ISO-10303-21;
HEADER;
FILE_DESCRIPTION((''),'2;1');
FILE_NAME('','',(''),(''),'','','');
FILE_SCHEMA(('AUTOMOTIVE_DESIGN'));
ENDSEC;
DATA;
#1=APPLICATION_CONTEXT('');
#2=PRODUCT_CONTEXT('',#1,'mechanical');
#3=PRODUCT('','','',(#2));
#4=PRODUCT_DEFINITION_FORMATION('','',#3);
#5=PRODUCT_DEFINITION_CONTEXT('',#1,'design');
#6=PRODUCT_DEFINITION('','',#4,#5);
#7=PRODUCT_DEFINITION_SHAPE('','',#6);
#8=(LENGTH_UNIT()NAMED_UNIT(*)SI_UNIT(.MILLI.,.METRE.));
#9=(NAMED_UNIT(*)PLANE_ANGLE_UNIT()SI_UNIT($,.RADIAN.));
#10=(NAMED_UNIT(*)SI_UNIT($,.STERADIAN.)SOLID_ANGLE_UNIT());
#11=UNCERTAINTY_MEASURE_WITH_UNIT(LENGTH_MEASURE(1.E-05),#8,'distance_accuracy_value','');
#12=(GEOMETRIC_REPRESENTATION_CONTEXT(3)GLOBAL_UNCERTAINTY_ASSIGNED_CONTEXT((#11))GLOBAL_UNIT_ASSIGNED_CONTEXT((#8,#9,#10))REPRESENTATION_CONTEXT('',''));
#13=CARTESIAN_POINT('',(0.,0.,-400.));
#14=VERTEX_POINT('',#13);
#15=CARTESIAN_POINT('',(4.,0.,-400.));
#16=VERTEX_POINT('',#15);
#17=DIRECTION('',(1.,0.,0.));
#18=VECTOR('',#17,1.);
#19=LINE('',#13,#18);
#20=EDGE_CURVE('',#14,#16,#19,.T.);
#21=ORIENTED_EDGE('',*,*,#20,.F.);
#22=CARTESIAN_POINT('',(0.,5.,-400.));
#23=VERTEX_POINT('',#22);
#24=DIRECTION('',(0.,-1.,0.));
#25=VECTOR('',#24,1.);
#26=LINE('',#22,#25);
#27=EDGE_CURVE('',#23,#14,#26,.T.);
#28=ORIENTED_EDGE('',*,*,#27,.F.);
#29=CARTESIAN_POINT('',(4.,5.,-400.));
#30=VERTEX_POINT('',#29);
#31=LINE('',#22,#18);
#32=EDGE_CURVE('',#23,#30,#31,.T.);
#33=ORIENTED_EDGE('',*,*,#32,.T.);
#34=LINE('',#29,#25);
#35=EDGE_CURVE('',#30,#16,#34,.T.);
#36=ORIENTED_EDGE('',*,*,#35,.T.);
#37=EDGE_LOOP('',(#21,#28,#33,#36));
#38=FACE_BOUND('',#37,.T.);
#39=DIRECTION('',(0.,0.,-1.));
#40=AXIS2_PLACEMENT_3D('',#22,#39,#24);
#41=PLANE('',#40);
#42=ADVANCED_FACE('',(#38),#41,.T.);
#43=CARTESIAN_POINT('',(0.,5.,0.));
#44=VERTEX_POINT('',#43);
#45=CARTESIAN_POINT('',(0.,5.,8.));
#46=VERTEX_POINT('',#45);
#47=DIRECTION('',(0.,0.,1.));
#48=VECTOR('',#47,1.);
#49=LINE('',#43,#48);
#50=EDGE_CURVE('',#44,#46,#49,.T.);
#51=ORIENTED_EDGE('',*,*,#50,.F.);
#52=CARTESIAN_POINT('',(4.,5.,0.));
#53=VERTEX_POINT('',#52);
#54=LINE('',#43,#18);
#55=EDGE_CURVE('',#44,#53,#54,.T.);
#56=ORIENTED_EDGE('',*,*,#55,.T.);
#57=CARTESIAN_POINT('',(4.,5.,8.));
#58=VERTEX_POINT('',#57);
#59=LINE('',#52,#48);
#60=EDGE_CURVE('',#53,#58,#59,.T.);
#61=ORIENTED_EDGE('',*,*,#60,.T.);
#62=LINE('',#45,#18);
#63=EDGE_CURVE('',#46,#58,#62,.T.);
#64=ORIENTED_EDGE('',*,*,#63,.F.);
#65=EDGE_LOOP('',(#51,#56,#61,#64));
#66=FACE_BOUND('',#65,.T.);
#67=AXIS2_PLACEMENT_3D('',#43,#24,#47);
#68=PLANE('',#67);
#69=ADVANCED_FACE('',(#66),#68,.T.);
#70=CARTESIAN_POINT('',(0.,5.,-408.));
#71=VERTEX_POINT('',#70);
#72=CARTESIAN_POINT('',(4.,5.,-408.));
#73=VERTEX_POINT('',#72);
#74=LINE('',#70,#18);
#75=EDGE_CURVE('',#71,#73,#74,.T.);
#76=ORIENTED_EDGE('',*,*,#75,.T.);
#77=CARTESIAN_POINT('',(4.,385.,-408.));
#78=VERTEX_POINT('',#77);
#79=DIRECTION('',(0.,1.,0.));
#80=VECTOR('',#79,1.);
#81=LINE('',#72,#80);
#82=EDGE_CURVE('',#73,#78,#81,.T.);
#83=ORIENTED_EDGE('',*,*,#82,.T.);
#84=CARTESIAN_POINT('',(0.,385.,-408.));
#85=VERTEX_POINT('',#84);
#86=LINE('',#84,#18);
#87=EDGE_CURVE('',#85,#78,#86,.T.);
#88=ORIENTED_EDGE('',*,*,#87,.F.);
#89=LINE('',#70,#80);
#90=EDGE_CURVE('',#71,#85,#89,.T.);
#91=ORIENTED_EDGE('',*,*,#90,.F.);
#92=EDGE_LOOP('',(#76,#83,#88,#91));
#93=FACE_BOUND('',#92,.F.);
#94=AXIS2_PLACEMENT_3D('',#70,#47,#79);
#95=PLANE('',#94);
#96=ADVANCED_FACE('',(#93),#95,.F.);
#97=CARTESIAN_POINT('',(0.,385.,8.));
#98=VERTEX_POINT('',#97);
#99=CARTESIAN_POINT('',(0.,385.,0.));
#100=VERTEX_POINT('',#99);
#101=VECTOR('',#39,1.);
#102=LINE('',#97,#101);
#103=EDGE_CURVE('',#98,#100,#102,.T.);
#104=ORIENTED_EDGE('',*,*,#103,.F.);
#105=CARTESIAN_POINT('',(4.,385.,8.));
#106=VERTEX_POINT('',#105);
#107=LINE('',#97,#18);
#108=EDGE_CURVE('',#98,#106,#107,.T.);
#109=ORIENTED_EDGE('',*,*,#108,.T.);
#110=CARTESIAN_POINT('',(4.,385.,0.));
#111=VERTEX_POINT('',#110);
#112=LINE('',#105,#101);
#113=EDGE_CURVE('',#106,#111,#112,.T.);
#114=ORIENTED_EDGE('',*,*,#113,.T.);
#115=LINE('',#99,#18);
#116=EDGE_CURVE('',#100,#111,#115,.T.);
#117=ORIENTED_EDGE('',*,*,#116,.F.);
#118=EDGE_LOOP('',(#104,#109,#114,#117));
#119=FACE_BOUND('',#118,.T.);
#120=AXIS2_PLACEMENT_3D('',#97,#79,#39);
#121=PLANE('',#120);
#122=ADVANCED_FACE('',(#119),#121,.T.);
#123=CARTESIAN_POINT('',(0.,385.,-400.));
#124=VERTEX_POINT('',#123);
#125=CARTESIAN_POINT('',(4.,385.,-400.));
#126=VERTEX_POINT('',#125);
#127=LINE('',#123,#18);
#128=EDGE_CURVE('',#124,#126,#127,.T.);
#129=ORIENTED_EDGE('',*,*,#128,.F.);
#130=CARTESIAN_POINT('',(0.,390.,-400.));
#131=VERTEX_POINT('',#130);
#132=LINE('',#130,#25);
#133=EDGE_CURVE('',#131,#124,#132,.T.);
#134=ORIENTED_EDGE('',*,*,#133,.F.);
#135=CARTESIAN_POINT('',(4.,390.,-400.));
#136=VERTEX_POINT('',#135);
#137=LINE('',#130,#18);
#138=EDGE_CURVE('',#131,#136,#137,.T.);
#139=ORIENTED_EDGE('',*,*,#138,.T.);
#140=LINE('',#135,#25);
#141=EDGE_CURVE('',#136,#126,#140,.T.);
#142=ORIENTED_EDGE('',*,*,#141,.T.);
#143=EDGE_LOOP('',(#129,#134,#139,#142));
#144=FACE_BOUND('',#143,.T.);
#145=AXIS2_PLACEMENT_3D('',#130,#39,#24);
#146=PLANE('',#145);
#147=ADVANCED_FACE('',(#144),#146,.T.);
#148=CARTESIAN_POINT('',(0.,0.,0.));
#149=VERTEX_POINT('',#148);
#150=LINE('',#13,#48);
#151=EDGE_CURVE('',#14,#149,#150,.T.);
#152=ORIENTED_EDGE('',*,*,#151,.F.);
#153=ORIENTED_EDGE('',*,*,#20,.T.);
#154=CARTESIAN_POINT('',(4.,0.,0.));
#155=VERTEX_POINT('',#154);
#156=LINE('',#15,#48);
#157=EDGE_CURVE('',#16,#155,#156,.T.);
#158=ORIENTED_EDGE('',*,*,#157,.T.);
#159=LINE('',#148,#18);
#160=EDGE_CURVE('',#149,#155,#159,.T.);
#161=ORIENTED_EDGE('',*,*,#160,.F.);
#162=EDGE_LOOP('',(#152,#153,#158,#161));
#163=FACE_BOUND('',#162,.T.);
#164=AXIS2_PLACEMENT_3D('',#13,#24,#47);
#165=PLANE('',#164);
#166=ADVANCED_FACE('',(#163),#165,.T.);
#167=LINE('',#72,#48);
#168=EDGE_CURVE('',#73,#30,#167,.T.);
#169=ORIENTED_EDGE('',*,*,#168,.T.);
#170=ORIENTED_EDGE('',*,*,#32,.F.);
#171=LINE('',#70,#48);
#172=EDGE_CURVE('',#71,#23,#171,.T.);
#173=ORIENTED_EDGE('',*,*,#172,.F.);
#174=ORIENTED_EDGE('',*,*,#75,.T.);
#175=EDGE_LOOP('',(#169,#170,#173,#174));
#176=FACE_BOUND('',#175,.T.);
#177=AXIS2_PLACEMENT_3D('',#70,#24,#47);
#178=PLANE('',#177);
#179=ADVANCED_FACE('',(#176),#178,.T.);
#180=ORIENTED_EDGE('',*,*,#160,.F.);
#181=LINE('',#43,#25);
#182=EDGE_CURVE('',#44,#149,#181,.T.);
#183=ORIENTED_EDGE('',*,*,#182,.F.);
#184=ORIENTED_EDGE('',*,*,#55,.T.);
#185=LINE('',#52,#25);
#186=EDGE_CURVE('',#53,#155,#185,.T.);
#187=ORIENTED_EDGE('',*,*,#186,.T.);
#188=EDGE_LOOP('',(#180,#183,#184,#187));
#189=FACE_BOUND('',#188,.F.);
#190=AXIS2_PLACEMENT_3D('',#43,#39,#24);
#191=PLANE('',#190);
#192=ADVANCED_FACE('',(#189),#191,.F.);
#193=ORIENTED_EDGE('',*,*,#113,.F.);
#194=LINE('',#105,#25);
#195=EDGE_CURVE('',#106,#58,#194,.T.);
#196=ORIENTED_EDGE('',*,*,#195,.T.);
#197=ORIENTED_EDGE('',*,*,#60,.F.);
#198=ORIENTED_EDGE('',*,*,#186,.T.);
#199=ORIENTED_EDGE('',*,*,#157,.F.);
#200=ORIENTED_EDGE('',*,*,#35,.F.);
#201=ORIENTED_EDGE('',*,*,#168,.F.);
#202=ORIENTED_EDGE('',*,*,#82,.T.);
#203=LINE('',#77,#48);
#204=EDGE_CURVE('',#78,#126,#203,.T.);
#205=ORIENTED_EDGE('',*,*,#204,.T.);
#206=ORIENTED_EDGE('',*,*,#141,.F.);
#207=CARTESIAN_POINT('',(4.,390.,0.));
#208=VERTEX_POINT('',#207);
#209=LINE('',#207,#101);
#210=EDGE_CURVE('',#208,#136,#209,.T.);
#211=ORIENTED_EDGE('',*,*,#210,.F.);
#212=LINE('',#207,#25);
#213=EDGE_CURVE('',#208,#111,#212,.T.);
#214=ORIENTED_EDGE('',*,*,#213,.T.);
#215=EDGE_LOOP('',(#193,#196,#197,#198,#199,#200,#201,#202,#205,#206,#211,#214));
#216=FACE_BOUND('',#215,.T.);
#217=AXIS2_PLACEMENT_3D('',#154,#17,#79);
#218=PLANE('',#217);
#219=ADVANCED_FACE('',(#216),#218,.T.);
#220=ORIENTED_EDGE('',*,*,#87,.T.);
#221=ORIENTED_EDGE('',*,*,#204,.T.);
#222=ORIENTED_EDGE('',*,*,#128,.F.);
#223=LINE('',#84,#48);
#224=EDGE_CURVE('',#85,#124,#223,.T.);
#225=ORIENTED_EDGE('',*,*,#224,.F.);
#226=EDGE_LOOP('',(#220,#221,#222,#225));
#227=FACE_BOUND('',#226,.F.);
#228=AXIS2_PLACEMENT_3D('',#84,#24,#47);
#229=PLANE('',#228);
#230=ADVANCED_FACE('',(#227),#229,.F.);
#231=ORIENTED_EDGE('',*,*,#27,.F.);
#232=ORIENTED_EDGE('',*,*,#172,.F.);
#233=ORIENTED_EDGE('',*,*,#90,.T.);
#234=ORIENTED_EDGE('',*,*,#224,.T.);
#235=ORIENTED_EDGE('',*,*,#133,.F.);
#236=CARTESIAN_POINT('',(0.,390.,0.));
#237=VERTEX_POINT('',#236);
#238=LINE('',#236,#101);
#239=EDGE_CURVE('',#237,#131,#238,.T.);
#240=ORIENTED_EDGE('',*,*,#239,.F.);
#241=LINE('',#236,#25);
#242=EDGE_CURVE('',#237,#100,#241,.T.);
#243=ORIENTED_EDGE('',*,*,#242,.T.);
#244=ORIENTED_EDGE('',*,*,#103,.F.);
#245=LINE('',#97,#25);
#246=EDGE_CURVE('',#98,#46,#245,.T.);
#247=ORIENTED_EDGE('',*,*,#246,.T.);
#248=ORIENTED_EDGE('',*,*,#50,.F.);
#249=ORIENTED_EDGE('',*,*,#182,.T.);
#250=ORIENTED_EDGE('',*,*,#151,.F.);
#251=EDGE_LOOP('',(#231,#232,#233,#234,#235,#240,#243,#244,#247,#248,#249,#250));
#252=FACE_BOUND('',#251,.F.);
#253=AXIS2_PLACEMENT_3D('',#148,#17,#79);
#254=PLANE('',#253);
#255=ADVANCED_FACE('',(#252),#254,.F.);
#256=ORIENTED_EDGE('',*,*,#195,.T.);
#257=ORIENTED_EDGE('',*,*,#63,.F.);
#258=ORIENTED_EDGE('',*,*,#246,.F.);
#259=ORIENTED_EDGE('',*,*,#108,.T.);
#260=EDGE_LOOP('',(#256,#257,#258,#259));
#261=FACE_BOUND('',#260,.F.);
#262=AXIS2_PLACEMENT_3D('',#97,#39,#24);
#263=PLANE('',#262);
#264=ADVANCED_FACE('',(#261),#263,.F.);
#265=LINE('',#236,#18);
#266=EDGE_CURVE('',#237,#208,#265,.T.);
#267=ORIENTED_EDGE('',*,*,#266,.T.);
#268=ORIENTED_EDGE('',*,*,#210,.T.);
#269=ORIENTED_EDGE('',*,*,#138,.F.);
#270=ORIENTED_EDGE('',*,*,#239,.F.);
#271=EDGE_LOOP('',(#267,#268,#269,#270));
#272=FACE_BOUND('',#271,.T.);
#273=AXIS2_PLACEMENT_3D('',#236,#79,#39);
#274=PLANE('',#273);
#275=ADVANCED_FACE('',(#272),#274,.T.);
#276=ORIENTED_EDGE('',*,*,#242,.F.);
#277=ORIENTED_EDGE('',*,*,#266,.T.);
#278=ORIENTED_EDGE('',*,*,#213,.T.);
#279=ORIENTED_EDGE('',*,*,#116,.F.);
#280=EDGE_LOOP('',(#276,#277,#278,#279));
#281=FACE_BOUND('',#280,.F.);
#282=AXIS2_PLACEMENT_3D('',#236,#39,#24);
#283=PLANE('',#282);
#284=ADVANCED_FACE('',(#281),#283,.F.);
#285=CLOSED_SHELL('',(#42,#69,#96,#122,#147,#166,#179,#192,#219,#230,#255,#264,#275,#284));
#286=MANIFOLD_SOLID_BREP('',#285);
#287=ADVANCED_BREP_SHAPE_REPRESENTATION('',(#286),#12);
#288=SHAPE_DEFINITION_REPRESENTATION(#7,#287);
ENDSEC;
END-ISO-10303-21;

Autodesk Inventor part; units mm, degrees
ref_plane "YZ Plane" through (0, 0, 0) normal (1, 0, 0) x (0, 1, 0)
ref_plane "XZ Plane" through (0, 0, 0) normal (0, 1, 0) x (-1, 0, 0)
ref_plane "XY Plane" through (0, 0, 0) normal (0, 0, 1) x (1, 0, 0)
sketch "Эскиз1" plane through (0, 0, 0) normal (1, 0, 0) x (0, 1, 0)
  line L0 (390, 0) -> (390, -400)
  line L1 (0, -400) -> (0, 0)
  line L2 (385, 8) -> (5, 8)
  line L3 (5, -408) -> (385, -408)
  line L4 (390, 0) -> (385, 0)
  line L5 (385, 8) -> (385, 0)
  line L6 (385, -408) -> (385, -400)
  line L7 (5, -408) -> (5, -400)
  line L8 (5, -400) -> (0, -400)
  line L9 (5, 0) -> (5, 8)
  line L10 (390, -400) -> (385, -400)
  line L11 (5, 0) -> (0, 0)
  dimension "d23" = 400
  dimension "d26" = 400
  dimension "d27" = 380
  dimension "d28" = 380
  dimension "d29" = 390
  dimension "d30" = 8
  dimension "d31" = 8
  dimension "d32" = 8
  dimension "d34" = 5
  dimension "d35" = 5
  dimension "d36" = 5
  dimension "d37" = 5
extrude "Выдавливание1" add sketch "Эскиз1" along normal blind 4
sketch "Эскиз2" plane through (4, 0, 0) normal (1, 0, 0) x (0, 0, -1)
  line L0 (160, 285) -> (240, 285)
  line L1 (240, 285) -> (240, 185)
  line L2 (240, 185) -> (160, 185)
  line L3 (160, 185) -> (160, 285)
  line L4 (117, 227) -> (138, 227)
  line L5 (138, 227) -> (138, 185)
  line L6 (138, 185) -> (117, 185)
  line L7 (117, 185) -> (117, 227)
  line L8 (343, 144) -> (382, 144)
  line L9 (382, 144) -> (382, 70)
  line L10 (382, 70) -> (343, 70)
  line L11 (343, 70) -> (343, 144)
  line L12 (192, 145) -> (282, 145)
  line L13 (282, 145) -> (282, 75)
  line L14 (282, 75) -> (192, 75)
  line L15 (192, 75) -> (192, 145)
  line L16 (277, 267) -> (333, 267)
  line L17 (333, 267) -> (333, 185)
  line L18 (333, 185) -> (277, 185)
  line L19 (277, 185) -> (277, 267)
  line L20 (408, 5) -> (408, 385) projected
  line L21 (0, 0) -> (400, 0) projected
  line L22 (-8, 385) -> (-8, 5) projected
  line L23 (400, 390) -> (0, 390) projected
  dimension "d38" = 42
  dimension "d39" = 21
  dimension "d40" = 74
  dimension "d41" = 39
  dimension "d44" = 90
  dimension "d45" = 70
  dimension "d46" = 80
  dimension "d47" = 100
  dimension "d48" = 82
  dimension "d49" = 56
  dimension "d50" = 65
  dimension "d51" = 70
  dimension "d52" = 200
  dimension "d53" = 75
  dimension "d54" = 168
  dimension "d55" = 105
  dimension "d56" = 185
  dimension "d57" = 125
  dimension "d58" = 185
  dimension "d59" = 75
properties part number "BackMountingWall"
